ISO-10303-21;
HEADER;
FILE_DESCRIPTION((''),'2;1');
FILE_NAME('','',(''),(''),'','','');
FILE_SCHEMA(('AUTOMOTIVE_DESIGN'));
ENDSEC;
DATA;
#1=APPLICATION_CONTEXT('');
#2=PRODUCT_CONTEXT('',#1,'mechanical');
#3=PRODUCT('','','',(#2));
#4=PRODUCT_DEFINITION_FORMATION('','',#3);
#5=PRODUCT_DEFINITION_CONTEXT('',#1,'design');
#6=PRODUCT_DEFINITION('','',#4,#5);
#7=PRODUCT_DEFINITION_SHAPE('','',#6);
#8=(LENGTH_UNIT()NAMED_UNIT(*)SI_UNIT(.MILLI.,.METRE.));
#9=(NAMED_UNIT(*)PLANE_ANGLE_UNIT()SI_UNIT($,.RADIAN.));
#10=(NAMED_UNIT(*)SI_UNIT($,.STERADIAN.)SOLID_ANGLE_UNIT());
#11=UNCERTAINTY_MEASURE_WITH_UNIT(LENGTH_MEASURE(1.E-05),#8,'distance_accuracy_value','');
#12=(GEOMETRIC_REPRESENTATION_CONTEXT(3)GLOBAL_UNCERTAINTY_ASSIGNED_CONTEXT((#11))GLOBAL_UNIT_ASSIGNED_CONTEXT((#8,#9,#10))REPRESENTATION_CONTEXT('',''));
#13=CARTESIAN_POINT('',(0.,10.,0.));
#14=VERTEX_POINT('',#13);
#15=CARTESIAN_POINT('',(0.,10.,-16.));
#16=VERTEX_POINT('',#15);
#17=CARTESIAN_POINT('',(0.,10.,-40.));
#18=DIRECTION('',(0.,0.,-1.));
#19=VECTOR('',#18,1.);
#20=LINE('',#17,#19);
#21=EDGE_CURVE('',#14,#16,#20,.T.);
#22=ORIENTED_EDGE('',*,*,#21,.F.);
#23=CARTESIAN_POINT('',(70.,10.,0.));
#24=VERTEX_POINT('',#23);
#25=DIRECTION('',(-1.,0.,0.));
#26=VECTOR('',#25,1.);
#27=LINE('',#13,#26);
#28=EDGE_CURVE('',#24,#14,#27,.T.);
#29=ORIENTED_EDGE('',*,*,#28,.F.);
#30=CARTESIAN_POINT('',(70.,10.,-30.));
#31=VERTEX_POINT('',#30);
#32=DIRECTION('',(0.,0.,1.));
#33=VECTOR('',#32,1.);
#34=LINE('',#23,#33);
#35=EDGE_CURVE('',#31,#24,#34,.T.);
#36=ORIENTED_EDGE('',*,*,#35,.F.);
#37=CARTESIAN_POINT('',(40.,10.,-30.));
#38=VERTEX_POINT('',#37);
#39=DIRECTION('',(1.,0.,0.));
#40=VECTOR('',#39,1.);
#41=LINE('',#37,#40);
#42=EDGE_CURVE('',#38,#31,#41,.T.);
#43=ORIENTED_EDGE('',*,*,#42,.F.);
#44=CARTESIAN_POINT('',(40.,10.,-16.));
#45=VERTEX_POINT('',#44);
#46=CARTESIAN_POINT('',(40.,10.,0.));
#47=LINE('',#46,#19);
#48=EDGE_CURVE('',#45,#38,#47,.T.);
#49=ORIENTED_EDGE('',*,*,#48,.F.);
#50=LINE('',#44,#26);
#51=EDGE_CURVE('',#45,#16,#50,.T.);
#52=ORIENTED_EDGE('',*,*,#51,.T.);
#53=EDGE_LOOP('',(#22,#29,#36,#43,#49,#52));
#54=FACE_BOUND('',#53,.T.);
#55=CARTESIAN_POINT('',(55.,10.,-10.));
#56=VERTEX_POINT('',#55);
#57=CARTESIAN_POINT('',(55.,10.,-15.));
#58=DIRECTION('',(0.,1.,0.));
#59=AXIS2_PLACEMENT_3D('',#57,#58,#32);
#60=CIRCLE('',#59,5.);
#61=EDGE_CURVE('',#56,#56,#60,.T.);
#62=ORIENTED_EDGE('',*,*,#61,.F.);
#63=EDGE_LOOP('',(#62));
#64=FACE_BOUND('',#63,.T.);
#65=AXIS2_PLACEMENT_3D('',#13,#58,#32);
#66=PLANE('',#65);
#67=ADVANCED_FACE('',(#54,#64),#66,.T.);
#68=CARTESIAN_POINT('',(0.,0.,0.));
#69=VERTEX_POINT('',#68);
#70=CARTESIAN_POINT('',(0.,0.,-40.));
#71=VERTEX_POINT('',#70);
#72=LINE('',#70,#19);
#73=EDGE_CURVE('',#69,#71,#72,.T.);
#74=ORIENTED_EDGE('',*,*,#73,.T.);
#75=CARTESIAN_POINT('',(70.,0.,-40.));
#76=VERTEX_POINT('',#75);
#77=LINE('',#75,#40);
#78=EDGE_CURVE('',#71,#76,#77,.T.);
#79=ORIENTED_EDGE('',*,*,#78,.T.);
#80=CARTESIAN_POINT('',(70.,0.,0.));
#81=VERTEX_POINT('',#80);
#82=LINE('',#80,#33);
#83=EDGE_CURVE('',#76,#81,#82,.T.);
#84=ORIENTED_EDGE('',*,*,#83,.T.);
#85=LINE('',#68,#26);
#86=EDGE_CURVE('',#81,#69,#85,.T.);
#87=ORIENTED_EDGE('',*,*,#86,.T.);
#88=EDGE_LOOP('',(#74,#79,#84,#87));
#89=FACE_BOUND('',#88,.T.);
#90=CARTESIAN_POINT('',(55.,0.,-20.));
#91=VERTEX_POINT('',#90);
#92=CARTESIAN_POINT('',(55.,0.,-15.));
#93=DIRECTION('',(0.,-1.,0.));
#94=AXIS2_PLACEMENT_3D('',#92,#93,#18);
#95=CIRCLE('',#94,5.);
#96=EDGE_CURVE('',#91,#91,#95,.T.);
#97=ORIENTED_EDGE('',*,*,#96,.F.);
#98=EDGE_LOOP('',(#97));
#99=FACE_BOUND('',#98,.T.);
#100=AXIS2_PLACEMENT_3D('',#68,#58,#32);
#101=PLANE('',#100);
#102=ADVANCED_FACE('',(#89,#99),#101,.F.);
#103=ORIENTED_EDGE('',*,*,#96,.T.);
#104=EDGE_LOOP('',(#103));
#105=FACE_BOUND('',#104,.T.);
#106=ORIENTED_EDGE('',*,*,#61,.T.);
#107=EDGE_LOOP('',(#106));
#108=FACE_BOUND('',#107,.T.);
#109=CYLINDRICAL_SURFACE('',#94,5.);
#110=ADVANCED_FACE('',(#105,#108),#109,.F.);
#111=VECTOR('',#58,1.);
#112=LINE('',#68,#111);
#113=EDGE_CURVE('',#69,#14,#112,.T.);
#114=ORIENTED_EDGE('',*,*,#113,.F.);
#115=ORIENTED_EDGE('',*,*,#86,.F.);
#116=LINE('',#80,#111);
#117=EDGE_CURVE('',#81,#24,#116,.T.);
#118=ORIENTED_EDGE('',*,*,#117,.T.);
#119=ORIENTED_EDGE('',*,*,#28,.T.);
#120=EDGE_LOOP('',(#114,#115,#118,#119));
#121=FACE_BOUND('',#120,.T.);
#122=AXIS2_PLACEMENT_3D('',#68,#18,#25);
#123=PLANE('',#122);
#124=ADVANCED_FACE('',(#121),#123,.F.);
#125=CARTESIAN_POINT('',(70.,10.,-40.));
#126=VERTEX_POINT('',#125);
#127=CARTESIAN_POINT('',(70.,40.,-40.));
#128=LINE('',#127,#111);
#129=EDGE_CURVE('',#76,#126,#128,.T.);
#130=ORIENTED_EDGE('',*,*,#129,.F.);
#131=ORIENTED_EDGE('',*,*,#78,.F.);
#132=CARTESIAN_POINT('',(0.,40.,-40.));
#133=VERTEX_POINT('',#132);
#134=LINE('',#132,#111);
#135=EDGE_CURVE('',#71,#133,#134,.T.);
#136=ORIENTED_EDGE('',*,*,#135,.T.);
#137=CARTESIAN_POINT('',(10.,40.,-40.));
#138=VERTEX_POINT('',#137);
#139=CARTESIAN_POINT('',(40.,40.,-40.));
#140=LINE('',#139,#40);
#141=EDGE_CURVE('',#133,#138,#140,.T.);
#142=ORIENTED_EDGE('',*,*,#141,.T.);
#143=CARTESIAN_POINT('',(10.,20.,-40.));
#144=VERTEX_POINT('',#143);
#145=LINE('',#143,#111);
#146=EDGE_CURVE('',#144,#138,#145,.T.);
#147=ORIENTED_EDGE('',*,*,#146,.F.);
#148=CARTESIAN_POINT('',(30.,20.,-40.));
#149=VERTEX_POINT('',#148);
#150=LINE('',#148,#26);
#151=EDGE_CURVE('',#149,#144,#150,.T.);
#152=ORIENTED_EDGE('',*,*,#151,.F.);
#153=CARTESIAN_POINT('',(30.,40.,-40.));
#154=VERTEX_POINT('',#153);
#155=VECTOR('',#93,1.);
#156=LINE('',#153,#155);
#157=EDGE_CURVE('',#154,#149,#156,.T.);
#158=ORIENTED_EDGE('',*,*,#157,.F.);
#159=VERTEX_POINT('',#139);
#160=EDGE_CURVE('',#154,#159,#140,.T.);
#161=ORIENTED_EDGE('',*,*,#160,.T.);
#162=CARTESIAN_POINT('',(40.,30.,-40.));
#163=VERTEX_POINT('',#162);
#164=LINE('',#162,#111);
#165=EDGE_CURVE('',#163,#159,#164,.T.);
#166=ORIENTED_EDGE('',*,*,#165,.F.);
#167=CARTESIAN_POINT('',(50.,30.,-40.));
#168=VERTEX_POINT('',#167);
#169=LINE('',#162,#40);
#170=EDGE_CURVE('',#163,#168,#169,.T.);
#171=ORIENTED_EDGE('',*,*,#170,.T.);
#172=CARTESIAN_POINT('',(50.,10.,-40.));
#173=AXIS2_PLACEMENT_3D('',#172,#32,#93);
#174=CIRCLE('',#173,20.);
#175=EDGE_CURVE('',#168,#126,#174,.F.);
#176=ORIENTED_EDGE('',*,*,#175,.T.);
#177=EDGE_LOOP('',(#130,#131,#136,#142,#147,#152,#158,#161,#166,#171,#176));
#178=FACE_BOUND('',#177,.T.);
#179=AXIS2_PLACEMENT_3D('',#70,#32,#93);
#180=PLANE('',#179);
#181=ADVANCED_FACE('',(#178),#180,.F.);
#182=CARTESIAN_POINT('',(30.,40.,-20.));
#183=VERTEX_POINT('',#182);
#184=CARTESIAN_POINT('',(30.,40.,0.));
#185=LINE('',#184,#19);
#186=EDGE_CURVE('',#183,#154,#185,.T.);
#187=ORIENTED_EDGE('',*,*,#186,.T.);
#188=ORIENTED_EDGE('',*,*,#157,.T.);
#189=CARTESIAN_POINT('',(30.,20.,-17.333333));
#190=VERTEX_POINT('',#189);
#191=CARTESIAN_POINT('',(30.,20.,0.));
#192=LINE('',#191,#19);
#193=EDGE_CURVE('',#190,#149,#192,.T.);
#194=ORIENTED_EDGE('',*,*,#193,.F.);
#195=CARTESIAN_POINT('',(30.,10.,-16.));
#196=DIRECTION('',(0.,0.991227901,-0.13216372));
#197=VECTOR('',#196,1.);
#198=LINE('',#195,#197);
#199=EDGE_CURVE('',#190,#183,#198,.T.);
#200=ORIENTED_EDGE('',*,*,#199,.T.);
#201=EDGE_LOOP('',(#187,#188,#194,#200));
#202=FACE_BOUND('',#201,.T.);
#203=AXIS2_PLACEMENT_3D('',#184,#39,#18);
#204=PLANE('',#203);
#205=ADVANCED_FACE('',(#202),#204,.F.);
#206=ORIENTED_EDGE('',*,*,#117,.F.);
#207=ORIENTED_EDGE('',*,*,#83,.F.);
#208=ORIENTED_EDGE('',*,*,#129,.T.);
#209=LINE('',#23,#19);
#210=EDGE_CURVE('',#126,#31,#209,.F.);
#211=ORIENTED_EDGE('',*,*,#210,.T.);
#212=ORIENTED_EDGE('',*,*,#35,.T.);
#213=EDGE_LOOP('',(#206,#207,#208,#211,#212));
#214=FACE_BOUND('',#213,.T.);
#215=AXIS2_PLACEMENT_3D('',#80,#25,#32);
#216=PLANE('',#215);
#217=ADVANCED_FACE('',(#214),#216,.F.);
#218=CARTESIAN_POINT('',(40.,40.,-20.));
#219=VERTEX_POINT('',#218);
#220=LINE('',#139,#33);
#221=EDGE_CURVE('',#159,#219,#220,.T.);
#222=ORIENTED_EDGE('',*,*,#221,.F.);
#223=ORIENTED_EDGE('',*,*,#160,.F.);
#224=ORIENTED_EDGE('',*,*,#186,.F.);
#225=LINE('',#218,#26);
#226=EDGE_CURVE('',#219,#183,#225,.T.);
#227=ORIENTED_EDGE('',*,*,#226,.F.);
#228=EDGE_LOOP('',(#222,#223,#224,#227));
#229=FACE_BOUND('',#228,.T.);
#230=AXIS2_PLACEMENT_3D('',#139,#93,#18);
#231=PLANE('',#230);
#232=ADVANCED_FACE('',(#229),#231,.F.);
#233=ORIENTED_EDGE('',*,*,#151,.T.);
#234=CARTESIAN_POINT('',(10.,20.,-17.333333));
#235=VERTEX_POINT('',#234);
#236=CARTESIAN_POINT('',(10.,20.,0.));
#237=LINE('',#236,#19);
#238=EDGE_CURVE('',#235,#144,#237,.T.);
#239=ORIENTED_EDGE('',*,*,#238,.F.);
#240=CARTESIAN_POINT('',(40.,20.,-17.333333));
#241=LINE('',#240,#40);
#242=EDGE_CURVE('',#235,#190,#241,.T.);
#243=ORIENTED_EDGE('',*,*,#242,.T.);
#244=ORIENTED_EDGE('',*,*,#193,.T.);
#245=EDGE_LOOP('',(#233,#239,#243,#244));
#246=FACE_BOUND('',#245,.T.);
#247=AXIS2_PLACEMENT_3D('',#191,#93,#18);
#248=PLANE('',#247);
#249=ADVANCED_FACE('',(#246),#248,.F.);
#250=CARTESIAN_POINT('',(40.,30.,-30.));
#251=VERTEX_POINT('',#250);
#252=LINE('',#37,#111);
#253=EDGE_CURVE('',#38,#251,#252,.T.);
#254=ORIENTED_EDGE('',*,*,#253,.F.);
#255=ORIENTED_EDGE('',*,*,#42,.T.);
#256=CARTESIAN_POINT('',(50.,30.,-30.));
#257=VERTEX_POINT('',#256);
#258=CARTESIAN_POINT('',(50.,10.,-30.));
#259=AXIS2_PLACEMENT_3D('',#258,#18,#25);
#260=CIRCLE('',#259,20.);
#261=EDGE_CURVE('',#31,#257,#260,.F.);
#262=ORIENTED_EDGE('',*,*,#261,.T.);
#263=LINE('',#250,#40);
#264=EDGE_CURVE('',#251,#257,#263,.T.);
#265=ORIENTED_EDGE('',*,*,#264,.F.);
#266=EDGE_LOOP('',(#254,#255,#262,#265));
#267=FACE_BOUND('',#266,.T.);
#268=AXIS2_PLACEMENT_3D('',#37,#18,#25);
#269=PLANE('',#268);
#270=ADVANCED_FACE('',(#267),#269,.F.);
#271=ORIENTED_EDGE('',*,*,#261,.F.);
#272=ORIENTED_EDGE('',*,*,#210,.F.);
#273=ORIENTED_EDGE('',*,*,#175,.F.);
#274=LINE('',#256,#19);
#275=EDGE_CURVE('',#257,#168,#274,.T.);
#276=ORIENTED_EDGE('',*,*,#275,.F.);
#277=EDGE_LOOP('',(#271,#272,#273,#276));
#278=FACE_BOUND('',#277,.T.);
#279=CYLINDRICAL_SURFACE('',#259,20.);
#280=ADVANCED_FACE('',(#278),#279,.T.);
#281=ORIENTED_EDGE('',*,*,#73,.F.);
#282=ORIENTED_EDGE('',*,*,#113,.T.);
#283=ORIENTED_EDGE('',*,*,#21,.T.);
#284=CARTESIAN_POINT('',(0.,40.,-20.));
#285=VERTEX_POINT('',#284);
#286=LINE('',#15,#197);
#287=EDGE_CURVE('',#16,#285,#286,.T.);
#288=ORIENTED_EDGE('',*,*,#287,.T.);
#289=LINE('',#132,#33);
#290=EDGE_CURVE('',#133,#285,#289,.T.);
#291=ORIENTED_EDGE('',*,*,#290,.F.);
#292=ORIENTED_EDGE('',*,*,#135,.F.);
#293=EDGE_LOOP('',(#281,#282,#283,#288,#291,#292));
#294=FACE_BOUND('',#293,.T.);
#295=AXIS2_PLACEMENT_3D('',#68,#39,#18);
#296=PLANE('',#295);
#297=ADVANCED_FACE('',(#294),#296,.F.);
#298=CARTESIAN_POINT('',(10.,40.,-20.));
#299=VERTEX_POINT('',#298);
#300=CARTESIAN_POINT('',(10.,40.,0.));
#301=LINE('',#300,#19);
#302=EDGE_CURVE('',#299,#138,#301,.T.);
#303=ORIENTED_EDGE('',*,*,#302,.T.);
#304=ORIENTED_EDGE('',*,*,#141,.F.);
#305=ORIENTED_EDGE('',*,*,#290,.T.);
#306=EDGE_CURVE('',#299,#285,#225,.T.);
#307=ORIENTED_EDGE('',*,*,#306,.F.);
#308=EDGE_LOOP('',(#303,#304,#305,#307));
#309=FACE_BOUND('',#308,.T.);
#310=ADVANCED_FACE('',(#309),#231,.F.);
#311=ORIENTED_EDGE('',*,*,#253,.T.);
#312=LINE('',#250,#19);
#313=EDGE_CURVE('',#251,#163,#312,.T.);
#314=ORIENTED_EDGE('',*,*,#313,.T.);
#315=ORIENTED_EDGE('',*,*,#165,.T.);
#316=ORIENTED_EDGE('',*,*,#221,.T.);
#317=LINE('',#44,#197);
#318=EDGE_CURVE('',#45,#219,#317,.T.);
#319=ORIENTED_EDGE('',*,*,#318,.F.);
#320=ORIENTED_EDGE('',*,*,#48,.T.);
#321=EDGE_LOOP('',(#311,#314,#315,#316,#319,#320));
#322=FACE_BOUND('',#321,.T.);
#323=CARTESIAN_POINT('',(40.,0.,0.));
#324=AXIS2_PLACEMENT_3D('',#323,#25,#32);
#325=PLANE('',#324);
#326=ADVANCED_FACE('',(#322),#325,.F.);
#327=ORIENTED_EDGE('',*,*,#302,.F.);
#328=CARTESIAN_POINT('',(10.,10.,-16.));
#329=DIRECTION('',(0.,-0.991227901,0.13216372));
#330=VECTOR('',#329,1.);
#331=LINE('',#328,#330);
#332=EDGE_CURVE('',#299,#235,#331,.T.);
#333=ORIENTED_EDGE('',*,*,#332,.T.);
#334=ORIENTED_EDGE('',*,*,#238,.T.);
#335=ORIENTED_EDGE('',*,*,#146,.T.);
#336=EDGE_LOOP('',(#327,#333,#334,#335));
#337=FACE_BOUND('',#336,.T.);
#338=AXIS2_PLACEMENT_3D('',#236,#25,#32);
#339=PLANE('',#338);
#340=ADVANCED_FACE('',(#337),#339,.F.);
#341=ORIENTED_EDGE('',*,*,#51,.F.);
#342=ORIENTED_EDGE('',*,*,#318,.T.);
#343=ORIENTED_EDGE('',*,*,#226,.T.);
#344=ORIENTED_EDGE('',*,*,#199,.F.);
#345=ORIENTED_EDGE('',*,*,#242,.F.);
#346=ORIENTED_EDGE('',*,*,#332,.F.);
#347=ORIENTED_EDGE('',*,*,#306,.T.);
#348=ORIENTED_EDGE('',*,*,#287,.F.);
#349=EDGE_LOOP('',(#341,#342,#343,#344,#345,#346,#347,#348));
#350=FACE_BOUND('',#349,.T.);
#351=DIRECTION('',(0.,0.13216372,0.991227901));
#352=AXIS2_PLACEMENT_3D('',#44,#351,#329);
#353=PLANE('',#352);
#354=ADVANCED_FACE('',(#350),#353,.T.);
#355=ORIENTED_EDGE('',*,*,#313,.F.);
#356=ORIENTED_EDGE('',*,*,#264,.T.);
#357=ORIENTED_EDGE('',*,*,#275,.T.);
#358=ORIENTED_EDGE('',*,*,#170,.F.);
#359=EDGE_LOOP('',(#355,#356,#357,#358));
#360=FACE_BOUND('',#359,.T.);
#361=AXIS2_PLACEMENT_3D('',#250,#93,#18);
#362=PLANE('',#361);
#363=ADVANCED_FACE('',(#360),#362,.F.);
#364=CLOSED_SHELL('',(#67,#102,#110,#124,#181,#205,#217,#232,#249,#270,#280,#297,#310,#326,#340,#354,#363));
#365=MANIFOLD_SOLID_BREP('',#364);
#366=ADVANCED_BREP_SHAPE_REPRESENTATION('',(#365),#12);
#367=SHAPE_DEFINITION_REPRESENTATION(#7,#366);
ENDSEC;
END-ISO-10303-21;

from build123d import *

# Parameters (mm, degrees)
BOSS_EXTRUDE1_DEPTH            = 40
SKETCH2_W                      = 40
SKETCH2_H                      = 30
BOSS_EXTRUDE2_DEPTH            = 20
BOSS_EXTRUDE3_DEPTH            = 30
CUT_EXTRUDE1_DEPTH             = 30
SKETCH5_W                      = 70
SKETCH5_H                      = 40
BOSS_EXTRUDE4_DEPTH            = 10
SKETCH6_W                      = 20
SKETCH6_H                      = 20
CUT_EXTRUDE2_DEPTH             = 41
F_10_0_10_DIAMETER_HOLE1_D     = 10
F_10_0_10_DIAMETER_HOLE1_DEPTH = 40
FILLET1_R                      = 20


with BuildPart() as part:
    # Sketch1 → Boss-Extrude1 (new body)
    with BuildSketch(Plane(origin=(0, 0, 0), x_dir=(0, -1, 0), z_dir=(-1, 0, 0))):
        Polygon((-10, -16), (-40, -20), (-10, -20), align=None)
    extrude(amount=-BOSS_EXTRUDE1_DEPTH)

    # Sketch2 → Boss-Extrude2 (add)
    with BuildSketch(Plane(origin=(0, 0, -20), x_dir=(-1, 0, 0), z_dir=(0, 0, -1))):
        with Locations((-20, 25)):
            Rectangle(SKETCH2_W, SKETCH2_H)
    extrude(amount=BOSS_EXTRUDE2_DEPTH)

    # Sketch3 → Boss-Extrude3 (add)
    with BuildSketch(Plane(origin=(40, 0, 0), x_dir=(0, 0, -1), z_dir=(1, 0, 0))):
        Polygon((40, 10), (0, 10), (20, 40), (40, 40), align=None)
    extrude(amount=BOSS_EXTRUDE3_DEPTH)

    # Sketch4 → Cut-Extrude1 (cut)
    with BuildSketch(Plane(origin=(70, 0, 0), x_dir=(0, 0, -1), z_dir=(1, 0, 0))):
        Polygon((20, 40), (0, 10), (30, 10), (30, 30), (40, 30), (40, 40), align=None)
    extrude(amount=-CUT_EXTRUDE1_DEPTH, mode=Mode.SUBTRACT)

    # Sketch5 → Boss-Extrude4 (add)
    with BuildSketch(Plane.XZ.offset(-10)):
        with Locations((35, -20)):
            Rectangle(SKETCH5_W, SKETCH5_H)
    extrude(amount=BOSS_EXTRUDE4_DEPTH)

    # Sketch6 → Cut-Extrude2 (cut, through all)
    with BuildSketch(Plane(origin=(0, 0, -40), x_dir=(-1, 0, 0), z_dir=(0, 0, -1))):
        with Locations((-20, 30)):
            Rectangle(SKETCH6_W, SKETCH6_H)
    extrude(amount=-CUT_EXTRUDE2_DEPTH, mode=Mode.SUBTRACT)

    # Ø10.0 (10) Diameter Hole1
    with Locations(Plane(origin=(0, 0, 0), x_dir=(-1, 0, 0), z_dir=(0, -1, 0))):
        with Locations((-55, 15)):
            Hole(F_10_0_10_DIAMETER_HOLE1_D / 2, depth=F_10_0_10_DIAMETER_HOLE1_DEPTH)

    # Fillet1
    fillet1_edges = [part.edges().sort_by_distance(p)[0] for p in [
        (70, 30, -35),
    ]]
    fillet(fillet1_edges, radius=FILLET1_R)


solid = part.part
